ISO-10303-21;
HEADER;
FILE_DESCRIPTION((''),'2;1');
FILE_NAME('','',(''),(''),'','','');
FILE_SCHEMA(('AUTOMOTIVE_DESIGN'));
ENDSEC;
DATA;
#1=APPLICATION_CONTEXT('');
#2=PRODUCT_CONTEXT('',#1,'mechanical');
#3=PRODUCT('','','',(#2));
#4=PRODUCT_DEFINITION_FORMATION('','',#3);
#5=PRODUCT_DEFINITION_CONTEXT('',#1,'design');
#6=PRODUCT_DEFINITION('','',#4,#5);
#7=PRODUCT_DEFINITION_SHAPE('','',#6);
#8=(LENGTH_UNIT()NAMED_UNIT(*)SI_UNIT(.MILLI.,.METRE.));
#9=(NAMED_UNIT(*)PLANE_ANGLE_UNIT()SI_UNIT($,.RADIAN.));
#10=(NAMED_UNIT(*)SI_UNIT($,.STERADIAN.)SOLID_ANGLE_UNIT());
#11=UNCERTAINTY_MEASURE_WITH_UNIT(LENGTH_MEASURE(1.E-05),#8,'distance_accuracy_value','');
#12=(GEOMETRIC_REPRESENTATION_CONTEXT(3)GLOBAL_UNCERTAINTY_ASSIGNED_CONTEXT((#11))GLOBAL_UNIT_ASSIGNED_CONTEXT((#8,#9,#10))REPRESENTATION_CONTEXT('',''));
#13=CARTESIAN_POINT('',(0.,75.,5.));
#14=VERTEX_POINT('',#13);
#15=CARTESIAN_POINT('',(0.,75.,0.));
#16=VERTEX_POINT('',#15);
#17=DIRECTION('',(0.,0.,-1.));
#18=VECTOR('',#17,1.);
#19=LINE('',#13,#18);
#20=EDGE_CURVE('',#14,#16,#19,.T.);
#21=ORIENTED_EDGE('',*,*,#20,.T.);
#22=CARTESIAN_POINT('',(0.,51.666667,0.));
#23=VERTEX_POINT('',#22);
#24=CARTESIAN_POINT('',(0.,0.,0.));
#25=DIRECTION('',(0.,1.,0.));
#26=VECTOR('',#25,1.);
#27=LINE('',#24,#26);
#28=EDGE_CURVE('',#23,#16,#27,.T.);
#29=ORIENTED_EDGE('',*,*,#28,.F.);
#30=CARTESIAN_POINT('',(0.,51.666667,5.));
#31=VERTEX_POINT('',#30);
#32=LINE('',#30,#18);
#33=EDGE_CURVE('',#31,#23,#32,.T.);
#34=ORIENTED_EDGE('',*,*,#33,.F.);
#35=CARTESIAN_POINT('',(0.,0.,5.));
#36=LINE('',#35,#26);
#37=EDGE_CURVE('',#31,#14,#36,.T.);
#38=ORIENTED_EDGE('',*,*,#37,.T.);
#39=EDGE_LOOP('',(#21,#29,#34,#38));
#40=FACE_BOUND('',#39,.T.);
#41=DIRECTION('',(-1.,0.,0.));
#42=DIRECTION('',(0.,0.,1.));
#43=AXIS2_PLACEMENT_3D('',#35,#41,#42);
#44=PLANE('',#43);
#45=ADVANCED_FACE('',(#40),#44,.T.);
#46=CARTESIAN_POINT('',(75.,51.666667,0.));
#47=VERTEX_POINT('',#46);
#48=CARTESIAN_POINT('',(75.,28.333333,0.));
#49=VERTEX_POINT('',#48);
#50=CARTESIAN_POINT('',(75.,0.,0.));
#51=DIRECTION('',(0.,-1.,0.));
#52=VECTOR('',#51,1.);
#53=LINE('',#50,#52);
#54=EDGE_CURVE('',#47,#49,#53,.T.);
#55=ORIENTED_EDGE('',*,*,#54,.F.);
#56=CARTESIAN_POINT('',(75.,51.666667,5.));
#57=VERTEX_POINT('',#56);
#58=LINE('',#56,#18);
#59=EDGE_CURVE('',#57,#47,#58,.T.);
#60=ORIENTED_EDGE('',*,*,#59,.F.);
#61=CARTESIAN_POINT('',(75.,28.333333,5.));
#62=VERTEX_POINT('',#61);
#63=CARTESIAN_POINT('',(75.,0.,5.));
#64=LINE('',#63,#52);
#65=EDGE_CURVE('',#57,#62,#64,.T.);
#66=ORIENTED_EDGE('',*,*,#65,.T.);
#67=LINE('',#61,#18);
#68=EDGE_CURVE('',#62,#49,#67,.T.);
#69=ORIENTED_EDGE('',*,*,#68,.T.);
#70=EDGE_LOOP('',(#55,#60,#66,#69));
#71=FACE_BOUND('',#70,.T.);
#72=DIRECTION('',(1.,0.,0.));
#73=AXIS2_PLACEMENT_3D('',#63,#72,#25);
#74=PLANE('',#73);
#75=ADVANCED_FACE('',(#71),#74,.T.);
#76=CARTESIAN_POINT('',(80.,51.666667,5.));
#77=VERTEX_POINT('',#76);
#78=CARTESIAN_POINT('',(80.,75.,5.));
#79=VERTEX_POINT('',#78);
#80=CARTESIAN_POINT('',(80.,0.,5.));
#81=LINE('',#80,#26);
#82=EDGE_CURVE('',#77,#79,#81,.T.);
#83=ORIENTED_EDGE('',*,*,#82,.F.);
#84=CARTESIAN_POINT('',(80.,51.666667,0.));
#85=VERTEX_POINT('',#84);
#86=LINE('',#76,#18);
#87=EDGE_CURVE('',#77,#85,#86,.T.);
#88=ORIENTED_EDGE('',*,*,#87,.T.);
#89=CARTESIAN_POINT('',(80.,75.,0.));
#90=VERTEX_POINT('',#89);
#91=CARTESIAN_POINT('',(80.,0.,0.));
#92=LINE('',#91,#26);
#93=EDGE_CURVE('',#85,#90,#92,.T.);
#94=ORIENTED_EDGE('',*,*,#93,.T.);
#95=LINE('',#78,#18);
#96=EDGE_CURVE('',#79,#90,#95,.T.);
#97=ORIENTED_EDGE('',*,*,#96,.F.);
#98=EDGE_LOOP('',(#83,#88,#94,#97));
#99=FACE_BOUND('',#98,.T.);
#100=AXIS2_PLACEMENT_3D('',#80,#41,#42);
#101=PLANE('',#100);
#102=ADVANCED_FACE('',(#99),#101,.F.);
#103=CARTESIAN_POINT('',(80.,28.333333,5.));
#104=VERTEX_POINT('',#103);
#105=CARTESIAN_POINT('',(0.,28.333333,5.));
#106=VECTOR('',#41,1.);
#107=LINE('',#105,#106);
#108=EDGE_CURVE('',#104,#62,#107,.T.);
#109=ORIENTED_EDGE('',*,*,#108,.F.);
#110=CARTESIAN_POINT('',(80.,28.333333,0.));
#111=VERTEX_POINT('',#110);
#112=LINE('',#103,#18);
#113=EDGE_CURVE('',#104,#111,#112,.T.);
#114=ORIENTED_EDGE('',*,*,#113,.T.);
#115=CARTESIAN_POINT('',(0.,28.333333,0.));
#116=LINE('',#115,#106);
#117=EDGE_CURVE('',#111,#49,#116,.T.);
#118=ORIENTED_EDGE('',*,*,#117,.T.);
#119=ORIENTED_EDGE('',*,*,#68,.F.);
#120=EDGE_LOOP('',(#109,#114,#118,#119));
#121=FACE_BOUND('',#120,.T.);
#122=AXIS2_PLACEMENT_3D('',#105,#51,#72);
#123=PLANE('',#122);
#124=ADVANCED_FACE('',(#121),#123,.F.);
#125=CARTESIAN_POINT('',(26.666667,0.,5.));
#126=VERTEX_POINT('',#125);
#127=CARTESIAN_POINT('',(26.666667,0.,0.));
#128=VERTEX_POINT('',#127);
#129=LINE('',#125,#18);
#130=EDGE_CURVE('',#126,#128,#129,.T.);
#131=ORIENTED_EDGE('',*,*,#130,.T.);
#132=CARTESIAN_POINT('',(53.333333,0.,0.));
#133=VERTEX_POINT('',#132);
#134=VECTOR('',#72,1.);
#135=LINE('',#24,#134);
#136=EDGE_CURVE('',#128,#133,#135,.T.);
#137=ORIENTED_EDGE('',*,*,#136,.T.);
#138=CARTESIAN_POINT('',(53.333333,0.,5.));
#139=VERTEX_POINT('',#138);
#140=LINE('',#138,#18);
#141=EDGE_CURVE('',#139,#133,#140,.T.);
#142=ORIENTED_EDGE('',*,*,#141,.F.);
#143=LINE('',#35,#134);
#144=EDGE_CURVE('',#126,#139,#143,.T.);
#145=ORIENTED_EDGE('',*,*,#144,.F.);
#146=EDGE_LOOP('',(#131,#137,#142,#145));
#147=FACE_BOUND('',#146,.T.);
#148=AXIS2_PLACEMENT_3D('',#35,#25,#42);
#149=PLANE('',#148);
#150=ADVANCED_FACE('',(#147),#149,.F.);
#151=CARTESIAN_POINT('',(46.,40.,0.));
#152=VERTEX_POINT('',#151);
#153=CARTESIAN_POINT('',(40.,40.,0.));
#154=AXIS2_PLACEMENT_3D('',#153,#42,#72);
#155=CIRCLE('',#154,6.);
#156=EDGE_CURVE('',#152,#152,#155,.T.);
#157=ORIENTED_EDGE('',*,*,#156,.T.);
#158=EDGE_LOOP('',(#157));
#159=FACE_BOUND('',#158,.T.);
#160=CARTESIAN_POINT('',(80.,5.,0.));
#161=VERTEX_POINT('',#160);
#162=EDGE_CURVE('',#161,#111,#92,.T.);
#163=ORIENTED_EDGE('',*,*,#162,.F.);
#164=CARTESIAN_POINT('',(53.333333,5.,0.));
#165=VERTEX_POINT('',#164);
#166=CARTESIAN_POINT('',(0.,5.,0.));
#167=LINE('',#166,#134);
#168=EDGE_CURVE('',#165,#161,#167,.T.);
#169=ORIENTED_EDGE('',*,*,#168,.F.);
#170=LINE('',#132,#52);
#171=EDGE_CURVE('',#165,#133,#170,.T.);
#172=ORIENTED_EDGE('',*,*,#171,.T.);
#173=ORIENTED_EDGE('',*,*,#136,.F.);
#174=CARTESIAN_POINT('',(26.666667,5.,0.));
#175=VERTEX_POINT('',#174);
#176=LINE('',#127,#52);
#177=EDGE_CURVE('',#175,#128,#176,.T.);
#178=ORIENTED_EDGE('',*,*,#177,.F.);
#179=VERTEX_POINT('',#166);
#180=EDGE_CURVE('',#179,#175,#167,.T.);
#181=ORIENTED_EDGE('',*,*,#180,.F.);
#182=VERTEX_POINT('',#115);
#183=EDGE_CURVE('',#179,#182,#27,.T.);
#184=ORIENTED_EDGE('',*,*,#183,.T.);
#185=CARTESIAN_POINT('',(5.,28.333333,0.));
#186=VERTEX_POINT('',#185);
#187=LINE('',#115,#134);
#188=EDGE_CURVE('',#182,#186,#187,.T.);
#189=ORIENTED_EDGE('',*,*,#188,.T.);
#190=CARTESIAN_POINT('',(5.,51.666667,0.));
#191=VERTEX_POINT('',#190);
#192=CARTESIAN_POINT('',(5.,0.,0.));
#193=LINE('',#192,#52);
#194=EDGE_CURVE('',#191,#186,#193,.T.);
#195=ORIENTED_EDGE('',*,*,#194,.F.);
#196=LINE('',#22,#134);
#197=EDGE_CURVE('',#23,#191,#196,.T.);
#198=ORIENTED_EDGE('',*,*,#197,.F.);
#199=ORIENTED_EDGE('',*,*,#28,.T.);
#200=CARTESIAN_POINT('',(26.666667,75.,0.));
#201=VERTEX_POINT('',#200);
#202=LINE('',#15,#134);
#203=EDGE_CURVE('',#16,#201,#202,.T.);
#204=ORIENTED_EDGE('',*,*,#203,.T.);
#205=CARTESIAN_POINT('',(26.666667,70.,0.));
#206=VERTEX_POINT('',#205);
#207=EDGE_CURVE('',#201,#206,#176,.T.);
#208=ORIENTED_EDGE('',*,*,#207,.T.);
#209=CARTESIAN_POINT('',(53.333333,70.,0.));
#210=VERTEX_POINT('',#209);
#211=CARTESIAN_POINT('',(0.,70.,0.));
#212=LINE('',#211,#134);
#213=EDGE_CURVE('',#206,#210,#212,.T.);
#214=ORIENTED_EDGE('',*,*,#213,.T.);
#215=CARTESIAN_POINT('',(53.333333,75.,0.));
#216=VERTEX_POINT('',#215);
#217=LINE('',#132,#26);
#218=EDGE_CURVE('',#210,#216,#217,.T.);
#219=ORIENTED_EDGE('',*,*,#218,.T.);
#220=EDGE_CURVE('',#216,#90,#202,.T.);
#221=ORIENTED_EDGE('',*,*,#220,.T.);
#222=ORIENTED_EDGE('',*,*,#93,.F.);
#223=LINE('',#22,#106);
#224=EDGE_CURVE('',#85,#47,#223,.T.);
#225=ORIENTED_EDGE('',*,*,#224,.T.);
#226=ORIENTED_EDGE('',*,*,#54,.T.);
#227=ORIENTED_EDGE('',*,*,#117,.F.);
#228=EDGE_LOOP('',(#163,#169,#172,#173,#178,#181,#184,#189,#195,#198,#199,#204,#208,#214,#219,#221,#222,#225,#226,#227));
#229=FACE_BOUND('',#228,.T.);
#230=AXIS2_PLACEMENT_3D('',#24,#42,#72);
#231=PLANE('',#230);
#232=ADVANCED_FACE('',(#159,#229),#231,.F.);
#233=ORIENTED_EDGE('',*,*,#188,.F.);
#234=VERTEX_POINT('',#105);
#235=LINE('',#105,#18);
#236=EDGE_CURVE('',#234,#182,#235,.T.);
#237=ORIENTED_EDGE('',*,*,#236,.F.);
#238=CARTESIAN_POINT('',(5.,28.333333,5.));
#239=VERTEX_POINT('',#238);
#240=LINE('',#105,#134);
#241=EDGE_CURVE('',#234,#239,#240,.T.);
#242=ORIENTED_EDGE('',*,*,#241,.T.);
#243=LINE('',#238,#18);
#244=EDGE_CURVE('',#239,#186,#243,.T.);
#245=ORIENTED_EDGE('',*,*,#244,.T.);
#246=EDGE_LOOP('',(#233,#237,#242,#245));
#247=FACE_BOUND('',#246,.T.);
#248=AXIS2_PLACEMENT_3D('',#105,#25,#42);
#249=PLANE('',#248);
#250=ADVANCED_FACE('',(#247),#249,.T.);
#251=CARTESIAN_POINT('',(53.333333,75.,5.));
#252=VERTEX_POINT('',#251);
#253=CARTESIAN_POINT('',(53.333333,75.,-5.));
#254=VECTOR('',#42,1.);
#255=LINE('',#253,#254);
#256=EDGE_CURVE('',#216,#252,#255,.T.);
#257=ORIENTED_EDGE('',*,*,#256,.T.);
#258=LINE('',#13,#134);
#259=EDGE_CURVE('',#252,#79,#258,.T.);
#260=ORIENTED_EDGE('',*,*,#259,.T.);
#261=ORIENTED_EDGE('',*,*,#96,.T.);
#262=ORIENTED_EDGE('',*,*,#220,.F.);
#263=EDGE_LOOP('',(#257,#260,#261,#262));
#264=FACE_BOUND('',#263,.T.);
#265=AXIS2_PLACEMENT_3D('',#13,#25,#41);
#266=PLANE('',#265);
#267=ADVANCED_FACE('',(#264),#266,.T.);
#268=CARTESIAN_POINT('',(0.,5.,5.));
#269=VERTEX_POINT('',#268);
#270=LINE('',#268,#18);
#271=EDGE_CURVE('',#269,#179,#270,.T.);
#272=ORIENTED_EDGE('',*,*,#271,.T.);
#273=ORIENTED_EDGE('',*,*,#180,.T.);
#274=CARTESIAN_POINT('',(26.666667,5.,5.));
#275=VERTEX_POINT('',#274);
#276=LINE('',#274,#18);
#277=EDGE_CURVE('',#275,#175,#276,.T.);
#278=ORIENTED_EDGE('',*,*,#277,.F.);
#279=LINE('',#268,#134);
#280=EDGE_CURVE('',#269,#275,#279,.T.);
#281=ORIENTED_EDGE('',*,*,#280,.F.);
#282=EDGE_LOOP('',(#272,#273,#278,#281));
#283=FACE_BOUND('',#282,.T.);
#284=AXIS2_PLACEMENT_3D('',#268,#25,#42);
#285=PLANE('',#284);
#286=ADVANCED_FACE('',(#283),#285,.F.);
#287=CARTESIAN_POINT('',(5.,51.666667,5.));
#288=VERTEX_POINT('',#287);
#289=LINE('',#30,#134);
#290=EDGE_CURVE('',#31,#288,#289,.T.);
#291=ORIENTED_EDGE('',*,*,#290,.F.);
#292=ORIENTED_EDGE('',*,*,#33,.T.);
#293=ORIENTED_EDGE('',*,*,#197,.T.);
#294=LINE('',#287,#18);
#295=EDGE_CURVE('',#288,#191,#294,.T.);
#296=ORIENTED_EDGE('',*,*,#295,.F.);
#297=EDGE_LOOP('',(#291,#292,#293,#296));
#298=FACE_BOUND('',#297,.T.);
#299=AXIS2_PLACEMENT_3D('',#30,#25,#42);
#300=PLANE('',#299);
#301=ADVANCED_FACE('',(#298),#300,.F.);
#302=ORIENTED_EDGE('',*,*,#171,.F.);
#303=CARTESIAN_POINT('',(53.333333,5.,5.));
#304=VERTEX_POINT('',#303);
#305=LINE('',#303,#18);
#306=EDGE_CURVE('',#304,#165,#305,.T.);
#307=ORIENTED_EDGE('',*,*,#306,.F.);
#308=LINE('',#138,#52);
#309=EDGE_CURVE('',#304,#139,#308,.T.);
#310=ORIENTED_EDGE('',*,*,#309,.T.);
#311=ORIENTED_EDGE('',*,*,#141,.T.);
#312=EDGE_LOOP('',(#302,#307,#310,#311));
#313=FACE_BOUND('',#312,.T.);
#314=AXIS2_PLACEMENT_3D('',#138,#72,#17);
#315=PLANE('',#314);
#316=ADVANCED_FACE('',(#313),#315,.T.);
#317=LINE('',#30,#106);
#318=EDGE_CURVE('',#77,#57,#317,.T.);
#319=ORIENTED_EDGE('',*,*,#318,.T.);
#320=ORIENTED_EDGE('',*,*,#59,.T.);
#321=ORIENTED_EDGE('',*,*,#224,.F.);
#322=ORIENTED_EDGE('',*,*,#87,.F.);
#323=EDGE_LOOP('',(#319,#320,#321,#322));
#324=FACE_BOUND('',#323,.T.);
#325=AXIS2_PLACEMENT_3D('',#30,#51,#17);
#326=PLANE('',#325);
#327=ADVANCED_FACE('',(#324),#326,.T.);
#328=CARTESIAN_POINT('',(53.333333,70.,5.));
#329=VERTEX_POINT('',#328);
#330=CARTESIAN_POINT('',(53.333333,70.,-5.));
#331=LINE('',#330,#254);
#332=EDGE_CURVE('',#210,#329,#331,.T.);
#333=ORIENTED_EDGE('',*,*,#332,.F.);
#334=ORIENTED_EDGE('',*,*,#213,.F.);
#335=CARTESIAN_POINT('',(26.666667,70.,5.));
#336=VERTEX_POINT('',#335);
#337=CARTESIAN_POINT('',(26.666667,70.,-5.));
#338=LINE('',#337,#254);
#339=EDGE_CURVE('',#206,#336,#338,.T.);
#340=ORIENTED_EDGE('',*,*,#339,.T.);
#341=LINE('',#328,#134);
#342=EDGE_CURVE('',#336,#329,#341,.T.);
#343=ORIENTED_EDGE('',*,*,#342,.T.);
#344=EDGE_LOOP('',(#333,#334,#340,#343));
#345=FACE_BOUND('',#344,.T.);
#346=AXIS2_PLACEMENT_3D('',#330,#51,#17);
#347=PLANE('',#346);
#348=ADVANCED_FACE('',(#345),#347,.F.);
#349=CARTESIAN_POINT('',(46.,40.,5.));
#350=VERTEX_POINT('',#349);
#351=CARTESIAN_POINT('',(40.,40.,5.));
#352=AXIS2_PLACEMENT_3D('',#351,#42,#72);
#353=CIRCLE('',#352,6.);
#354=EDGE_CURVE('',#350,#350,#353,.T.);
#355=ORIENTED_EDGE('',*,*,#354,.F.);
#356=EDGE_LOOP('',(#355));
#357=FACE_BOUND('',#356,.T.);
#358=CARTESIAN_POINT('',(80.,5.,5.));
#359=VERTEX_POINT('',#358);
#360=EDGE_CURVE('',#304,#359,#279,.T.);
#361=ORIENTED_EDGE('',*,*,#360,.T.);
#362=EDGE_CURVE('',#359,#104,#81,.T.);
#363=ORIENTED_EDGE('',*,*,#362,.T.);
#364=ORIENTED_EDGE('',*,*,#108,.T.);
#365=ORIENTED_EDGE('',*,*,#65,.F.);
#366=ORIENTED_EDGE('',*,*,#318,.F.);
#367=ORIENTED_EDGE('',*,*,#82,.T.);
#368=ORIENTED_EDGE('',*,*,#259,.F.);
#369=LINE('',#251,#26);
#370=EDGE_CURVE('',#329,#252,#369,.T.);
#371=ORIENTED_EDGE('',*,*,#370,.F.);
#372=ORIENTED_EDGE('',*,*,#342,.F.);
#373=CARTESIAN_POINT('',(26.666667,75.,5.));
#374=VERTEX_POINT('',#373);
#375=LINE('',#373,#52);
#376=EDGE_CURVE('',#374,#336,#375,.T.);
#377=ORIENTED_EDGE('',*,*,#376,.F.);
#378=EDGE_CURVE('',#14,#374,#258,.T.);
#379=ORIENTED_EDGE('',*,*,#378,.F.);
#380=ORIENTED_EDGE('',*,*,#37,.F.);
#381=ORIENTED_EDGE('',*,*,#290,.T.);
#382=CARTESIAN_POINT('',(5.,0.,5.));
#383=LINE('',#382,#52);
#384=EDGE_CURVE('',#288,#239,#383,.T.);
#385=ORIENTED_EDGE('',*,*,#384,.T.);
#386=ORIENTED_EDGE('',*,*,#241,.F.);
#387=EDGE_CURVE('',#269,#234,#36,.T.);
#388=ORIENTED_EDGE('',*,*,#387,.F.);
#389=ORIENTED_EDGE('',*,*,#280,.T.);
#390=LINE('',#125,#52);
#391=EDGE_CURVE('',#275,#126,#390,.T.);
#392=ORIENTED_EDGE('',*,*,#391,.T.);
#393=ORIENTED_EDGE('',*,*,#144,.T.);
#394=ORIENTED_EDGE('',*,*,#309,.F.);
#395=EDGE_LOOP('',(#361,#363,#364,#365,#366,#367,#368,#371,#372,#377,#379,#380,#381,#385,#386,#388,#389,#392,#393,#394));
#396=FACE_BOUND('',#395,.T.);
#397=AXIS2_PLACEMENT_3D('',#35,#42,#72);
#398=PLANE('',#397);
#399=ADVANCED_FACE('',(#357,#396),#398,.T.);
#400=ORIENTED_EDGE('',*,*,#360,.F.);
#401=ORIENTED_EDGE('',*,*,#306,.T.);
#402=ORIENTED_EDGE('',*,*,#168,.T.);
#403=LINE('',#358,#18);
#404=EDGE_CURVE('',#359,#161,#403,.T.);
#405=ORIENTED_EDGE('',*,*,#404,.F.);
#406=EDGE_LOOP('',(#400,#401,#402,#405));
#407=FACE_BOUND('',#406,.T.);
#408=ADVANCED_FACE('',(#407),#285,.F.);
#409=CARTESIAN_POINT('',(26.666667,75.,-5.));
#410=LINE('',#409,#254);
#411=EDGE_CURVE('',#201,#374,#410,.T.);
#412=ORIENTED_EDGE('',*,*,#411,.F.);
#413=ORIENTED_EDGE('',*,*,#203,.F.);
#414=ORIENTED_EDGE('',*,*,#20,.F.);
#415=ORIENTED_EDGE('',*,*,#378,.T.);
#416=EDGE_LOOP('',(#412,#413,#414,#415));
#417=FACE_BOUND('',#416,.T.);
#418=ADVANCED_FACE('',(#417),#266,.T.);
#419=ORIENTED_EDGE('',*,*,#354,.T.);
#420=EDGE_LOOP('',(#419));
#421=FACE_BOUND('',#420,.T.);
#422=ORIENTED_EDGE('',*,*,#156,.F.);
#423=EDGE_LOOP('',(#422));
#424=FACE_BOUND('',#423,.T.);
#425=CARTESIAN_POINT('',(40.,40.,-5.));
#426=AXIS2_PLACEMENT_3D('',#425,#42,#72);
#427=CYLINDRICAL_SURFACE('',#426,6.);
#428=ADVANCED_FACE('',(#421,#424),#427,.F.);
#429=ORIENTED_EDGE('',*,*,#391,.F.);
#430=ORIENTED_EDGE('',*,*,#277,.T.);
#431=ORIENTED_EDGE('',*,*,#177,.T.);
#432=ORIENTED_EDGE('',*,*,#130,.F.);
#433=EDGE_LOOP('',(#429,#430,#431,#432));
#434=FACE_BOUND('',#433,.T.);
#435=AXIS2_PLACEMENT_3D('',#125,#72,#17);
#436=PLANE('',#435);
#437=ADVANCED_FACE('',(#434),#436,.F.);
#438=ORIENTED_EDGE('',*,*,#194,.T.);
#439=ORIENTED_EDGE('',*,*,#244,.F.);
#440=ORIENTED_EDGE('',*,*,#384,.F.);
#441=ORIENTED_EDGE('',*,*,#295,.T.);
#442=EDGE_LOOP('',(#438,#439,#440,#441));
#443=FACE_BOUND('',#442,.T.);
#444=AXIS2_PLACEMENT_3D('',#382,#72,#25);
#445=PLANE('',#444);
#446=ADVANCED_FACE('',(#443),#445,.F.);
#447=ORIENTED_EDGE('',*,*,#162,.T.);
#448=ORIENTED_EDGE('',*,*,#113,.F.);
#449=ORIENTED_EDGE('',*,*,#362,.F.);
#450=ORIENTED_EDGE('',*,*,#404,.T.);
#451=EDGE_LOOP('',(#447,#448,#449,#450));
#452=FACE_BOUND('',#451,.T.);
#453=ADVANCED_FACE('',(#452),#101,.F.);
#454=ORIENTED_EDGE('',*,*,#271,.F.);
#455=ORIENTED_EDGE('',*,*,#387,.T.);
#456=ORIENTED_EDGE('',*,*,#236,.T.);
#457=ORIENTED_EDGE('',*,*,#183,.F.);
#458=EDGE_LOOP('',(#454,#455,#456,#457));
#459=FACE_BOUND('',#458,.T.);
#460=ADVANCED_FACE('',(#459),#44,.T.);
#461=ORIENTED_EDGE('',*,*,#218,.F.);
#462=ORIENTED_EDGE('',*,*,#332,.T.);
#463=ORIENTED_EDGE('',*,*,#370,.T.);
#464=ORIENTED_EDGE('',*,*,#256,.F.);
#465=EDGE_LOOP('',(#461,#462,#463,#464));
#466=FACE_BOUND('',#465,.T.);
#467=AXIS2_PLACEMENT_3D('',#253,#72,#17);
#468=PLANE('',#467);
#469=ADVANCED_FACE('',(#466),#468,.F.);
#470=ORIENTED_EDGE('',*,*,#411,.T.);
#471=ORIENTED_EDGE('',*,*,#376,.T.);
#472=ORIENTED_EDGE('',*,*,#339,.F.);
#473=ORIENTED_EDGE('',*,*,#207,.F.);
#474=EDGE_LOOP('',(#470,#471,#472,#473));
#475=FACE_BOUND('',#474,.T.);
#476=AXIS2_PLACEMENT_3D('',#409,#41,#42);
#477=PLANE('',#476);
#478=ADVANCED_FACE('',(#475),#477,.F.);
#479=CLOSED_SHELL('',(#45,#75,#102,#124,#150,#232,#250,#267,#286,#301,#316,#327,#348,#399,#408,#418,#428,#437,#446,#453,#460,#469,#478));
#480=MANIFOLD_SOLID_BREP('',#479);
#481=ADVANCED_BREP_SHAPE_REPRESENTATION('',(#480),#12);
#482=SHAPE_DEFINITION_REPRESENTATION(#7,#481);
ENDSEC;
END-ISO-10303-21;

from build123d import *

# Parameters (mm, degrees)
SALIENTE_EXTRUIR1_DEPTH = 5
CROQUIS2_W              = 26.666666666
CROQUIS2_H              = 5
CORTAR_EXTRUIR1_DEPTH   = 10
CORTAR_EXTRUIR3_DEPTH   = 10


with BuildPart() as part:
    # Croquis1 → Saliente-Extruir1 (new body)
    with BuildSketch(Plane.XY):
        Polygon((0, 28.333333333), (0, 5), (26.666666667, 5), (26.666666667, 0), (53.333333333, 0), (53.333333333, 5), (80, 5), (80, 28.333333333), (75, 28.333333333), (75, 51.666666667), (80, 51.666666667), (80, 75), (0, 75), (0, 51.666666667), (5, 51.666666667), (5, 28.333333333), align=None)
    extrude(amount=SALIENTE_EXTRUIR1_DEPTH)

    # Croquis2 → Cortar-Extruir1 (cut)
    with BuildSketch(Plane.XY.offset(5)):
        with Locations((40, 72.5)):
            Rectangle(CROQUIS2_W, CROQUIS2_H)
    extrude(amount=-CORTAR_EXTRUIR1_DEPTH, mode=Mode.SUBTRACT)

    # Croquis5 → Cortar-Extruir3 (cut)
    with BuildSketch(Plane.XY.offset(5)):
        with BuildLine():
            ThreePointArc((46, 40), (44.242640687, 44.242640687), (40, 46))
            Line((40, 46), (40, 40))
            Line((40, 40), (46, 40))
        make_face()
        with BuildLine():
            Line((40, 40), (40, 46))
            ThreePointArc((40, 46), (35.757359313, 35.757359313), (46, 40))
            Line((46, 40), (40, 40))
        make_face()
    extrude(amount=-CORTAR_EXTRUIR3_DEPTH, mode=Mode.SUBTRACT)


solid = part.part
